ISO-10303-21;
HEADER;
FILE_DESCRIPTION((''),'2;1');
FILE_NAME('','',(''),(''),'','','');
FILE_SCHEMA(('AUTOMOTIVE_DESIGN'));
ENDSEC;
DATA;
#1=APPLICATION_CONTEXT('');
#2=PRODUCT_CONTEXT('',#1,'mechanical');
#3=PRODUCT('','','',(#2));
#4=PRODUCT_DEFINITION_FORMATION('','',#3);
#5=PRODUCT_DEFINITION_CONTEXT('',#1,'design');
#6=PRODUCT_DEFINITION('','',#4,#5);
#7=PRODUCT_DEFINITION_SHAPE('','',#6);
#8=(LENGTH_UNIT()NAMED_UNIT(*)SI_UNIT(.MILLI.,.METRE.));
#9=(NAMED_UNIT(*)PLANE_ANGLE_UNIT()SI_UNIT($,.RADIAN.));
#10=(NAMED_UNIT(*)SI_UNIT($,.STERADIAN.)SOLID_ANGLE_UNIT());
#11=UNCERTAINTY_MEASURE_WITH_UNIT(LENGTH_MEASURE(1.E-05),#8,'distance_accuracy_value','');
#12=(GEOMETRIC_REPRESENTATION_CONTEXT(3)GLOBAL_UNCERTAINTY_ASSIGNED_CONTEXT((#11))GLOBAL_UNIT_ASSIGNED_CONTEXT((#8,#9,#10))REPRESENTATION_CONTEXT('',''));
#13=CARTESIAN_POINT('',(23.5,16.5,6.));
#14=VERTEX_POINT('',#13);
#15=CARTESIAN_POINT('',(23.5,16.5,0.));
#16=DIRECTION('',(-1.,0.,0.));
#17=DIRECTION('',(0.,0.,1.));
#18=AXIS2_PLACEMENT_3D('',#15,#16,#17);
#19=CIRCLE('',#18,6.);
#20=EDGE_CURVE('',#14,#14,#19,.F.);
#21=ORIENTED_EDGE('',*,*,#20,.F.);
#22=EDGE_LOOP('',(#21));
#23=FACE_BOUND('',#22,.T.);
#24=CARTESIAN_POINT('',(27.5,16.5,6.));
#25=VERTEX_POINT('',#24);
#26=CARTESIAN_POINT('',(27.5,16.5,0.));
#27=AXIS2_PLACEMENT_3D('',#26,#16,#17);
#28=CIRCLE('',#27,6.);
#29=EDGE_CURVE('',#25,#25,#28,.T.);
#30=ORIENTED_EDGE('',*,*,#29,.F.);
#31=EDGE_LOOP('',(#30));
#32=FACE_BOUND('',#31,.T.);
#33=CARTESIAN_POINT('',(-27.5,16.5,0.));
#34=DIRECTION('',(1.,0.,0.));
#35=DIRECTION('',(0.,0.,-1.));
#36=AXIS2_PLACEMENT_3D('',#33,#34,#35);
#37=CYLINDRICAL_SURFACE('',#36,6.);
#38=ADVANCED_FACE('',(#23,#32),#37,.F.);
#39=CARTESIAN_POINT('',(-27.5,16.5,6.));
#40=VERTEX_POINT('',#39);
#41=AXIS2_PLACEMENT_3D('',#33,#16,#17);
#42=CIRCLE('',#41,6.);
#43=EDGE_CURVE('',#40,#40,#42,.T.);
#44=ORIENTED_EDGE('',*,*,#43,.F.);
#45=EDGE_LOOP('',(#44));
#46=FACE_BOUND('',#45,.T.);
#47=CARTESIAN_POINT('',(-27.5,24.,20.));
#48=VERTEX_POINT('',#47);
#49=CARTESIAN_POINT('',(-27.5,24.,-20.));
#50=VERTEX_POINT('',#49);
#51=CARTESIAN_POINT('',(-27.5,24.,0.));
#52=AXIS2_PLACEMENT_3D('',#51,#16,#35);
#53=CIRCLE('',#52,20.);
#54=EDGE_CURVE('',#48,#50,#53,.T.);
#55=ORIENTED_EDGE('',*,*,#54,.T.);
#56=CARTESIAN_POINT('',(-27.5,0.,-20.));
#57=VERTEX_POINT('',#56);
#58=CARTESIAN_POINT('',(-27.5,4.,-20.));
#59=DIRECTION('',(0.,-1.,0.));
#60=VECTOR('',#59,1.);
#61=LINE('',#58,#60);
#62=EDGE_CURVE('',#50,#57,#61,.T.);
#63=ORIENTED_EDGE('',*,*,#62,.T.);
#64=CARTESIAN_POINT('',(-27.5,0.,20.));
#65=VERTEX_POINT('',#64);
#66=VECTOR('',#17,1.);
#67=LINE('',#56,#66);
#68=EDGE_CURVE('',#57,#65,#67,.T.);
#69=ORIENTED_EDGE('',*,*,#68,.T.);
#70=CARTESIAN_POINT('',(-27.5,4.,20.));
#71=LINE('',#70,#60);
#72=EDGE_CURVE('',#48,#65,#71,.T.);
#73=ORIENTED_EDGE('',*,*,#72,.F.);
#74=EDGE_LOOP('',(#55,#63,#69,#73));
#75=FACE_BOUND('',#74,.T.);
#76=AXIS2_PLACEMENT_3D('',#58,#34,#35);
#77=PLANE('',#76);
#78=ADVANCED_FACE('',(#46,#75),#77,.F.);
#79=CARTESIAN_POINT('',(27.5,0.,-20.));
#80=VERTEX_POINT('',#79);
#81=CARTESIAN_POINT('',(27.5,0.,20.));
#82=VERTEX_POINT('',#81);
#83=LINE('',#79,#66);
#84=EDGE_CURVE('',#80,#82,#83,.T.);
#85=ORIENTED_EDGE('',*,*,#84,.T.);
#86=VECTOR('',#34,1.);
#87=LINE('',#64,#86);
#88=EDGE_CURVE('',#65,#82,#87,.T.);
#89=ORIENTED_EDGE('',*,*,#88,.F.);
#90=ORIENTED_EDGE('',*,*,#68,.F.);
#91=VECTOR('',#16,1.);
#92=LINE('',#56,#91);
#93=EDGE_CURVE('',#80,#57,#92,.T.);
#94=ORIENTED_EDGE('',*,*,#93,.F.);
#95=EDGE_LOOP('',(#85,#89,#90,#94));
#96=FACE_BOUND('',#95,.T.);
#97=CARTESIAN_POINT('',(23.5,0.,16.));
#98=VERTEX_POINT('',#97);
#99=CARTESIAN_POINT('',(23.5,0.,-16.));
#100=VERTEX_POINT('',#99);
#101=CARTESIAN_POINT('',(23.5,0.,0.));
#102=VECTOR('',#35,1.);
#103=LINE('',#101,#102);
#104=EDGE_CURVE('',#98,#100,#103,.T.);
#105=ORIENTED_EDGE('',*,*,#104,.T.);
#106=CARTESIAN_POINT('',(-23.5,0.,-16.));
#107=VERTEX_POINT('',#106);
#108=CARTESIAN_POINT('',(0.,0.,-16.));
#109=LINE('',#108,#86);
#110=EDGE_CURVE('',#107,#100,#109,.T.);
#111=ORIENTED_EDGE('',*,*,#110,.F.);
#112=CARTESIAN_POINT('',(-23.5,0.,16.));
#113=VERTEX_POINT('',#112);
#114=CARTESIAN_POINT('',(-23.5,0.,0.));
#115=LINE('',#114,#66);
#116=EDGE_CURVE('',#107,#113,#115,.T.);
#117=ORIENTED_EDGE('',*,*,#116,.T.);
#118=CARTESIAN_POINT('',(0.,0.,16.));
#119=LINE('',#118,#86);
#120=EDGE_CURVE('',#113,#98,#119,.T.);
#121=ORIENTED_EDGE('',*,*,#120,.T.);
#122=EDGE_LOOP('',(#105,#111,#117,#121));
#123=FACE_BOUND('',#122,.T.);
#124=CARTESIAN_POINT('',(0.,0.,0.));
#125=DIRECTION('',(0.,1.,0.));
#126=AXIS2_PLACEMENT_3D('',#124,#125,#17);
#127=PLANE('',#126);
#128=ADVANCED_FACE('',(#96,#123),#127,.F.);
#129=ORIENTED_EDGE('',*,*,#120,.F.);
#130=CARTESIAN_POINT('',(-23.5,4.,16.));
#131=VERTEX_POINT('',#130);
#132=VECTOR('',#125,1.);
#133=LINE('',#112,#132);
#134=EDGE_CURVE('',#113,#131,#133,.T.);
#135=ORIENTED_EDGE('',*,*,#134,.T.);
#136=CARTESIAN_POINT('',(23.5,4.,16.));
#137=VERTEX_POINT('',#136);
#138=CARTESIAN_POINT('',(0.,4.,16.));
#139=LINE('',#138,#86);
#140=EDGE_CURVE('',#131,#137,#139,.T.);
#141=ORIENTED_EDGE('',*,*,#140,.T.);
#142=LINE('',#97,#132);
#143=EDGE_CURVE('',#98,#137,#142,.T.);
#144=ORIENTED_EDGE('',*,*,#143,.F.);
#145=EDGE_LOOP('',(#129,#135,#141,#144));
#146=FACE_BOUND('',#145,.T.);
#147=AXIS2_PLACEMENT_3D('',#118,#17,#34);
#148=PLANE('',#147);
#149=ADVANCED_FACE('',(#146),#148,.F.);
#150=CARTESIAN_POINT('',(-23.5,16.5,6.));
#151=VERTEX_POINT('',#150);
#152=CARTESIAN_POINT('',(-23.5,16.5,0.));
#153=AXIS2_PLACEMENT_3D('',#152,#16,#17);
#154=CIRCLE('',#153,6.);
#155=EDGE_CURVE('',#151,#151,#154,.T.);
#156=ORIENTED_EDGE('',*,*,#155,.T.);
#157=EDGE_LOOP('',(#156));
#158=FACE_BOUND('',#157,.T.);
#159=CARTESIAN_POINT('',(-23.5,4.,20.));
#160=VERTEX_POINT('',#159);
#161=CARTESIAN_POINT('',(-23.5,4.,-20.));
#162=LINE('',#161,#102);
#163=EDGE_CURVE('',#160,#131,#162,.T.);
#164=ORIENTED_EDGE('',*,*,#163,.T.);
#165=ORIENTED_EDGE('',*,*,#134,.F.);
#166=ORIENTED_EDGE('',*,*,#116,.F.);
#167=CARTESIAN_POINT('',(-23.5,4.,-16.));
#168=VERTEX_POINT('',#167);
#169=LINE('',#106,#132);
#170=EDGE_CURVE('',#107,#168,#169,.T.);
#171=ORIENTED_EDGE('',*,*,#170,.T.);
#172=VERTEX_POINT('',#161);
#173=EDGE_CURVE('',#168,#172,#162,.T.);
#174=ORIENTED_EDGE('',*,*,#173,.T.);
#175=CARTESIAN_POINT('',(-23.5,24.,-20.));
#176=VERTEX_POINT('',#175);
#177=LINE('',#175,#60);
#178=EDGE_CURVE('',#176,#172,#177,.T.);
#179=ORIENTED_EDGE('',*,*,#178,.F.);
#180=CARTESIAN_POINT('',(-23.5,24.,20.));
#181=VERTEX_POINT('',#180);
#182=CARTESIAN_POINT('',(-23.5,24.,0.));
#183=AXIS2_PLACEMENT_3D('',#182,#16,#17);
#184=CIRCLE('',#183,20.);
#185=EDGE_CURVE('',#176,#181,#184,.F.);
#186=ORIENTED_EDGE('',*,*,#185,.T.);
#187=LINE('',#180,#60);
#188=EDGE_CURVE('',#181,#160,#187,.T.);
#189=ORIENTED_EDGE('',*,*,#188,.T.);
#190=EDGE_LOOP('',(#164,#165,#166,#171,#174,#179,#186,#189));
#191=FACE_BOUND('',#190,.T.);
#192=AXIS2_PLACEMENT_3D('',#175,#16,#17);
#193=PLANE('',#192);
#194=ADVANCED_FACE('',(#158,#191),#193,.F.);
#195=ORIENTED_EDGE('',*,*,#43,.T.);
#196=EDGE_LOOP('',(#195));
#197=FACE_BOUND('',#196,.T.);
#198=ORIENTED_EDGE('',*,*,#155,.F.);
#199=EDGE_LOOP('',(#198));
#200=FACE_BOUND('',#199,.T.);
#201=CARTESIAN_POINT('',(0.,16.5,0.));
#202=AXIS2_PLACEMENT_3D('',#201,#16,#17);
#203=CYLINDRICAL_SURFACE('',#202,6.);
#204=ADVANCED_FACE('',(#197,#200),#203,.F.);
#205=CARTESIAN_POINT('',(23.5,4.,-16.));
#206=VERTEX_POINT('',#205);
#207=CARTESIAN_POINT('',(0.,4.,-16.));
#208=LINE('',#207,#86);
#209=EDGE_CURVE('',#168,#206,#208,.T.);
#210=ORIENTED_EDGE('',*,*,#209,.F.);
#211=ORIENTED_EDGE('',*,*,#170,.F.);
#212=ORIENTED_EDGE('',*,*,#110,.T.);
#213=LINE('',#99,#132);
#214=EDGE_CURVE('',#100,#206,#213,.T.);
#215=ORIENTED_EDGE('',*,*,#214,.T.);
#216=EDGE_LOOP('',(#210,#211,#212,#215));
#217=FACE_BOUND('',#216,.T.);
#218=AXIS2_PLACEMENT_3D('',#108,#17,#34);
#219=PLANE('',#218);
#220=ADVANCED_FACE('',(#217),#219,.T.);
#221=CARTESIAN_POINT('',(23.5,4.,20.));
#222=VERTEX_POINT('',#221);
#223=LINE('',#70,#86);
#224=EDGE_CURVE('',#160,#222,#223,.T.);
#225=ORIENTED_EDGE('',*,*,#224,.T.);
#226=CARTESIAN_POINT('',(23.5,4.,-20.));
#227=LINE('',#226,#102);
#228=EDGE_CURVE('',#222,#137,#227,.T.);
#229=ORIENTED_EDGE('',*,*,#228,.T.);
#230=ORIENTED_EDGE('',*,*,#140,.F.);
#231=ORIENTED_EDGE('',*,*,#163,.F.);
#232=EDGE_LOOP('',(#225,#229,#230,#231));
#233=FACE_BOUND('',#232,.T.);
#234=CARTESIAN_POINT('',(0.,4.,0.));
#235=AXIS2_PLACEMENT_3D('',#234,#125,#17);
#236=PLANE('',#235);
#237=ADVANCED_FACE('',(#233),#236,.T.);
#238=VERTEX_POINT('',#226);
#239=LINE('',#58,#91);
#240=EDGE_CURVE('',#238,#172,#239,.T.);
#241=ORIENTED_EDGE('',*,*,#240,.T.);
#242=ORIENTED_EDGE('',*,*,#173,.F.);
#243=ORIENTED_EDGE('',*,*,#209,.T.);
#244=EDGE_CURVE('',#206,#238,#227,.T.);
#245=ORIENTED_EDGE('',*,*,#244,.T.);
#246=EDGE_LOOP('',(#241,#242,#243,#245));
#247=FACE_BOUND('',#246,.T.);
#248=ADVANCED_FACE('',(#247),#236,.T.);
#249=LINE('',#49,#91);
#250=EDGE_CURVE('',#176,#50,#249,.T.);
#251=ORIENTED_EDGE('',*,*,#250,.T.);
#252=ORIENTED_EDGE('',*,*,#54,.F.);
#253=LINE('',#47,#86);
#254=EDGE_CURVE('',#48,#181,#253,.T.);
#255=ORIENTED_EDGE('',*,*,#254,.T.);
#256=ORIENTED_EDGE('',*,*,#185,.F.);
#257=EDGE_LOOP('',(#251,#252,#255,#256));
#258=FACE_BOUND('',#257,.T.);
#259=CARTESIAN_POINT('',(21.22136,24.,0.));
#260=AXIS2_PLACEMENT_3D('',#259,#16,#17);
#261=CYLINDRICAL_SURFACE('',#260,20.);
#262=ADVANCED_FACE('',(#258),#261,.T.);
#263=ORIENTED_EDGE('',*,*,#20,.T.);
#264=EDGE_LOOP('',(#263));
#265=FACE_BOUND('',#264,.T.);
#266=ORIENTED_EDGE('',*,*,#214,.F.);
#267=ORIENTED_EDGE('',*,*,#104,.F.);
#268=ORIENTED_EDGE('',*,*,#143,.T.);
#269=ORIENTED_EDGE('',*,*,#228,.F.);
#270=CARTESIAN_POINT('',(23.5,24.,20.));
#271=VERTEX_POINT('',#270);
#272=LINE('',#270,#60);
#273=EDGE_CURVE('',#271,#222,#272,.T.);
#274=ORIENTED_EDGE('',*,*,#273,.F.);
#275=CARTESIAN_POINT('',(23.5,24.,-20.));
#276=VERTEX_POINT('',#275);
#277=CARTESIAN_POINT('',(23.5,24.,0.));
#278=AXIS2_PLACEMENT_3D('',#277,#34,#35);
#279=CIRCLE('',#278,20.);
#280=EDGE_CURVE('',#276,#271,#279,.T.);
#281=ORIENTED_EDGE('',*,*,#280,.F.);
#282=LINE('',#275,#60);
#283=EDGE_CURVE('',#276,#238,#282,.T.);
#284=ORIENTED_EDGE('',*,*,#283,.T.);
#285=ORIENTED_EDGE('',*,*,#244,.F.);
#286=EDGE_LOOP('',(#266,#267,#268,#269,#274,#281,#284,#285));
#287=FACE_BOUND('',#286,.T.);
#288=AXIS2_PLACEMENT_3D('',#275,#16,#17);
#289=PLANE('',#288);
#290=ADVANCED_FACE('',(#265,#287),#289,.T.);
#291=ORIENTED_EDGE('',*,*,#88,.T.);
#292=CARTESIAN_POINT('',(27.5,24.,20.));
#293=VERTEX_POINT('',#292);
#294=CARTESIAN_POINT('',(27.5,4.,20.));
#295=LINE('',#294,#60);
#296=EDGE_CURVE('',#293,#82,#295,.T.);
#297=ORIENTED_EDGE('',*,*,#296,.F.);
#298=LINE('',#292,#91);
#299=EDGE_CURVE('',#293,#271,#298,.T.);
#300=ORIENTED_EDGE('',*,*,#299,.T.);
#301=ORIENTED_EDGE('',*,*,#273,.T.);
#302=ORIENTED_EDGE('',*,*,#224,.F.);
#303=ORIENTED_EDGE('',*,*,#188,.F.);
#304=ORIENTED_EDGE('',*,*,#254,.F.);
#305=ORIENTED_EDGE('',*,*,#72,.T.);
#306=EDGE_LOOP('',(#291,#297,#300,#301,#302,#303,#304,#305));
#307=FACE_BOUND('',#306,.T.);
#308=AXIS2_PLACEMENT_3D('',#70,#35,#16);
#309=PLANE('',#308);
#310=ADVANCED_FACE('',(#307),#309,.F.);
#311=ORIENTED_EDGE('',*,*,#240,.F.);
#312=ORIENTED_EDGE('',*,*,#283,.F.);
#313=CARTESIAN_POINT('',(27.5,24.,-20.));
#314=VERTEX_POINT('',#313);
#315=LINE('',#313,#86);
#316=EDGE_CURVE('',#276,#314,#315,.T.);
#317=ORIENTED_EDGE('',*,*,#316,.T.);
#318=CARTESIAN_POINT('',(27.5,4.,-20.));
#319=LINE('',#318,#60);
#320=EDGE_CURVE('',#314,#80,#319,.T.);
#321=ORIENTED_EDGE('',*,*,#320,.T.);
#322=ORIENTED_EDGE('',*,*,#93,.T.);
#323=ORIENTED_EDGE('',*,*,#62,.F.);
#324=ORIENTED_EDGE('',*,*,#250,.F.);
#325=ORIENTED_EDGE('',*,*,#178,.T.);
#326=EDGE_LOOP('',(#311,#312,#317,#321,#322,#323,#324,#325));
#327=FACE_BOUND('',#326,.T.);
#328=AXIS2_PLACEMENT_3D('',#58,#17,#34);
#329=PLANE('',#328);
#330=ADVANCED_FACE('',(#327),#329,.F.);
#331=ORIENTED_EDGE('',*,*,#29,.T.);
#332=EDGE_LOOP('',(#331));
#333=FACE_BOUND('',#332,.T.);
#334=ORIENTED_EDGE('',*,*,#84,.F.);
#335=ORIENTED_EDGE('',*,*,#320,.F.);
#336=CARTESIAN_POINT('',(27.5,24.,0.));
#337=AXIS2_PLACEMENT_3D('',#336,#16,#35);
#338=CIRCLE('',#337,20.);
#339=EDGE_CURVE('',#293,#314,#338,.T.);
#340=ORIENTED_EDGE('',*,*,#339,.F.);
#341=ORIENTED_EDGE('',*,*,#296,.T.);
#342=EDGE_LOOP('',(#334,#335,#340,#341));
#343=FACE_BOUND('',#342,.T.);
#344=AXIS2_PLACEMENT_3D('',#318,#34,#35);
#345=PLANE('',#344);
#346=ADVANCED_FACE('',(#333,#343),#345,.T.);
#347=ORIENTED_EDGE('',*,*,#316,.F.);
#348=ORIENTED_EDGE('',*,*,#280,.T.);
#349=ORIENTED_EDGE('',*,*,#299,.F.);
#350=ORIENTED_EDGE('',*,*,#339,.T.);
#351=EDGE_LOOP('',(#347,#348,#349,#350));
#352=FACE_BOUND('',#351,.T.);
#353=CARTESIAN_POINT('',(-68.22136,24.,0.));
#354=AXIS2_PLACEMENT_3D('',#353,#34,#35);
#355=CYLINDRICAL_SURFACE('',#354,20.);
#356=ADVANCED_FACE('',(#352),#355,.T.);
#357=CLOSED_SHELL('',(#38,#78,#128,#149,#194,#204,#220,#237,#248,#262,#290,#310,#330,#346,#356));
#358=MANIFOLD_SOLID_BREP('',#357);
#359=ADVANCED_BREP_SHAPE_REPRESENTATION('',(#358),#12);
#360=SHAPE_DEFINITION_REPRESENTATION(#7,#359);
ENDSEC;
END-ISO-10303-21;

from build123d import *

# Parameters (mm, degrees)
SKETCH1_W           = 27.5
SKETCH1_H           = 40
BOSS_EXTRUDE4_DEPTH = 4
SKETCH5_W           = 4
SKETCH5_H           = 40
BOSS_EXTRUDE5_DEPTH = 20
SKETCH6_R           = 6
CUT_EXTRUDE2_DEPTH  = 42.620307543
BOSS_EXTRUDE6_DEPTH = 4
SKETCH8_W           = 47
SKETCH8_H           = 32
CUT_EXTRUDE3_DEPTH  = 53.5


with BuildPart() as part:
    # Sketch1 → Boss-Extrude4 (new body)
    with BuildSketch(Plane(origin=(0, 0, 0), x_dir=(1, 0, 0), z_dir=(0, 1, 0))):
        with Locations((-13.75, 0)):
            Rectangle(SKETCH1_W, SKETCH1_H)
    boss_extrude4 = extrude(amount=BOSS_EXTRUDE4_DEPTH)

    # Sketch5 → Boss-Extrude5 (add)
    with BuildSketch(Plane(origin=(0, 4, 0), x_dir=(1, 0, 0), z_dir=(0, 1, 0))):
        with Locations((-25.5, 0)):
            Rectangle(SKETCH5_W, SKETCH5_H)
    boss_extrude5 = extrude(amount=BOSS_EXTRUDE5_DEPTH)

    # Sketch6 → Cut-Extrude2 (cut, through all)
    with BuildSketch(Plane.ZY.offset(27.5)):
        with Locations((0, 16.5)):
            Circle(SKETCH6_R)
    cut_extrude2 = extrude(amount=-CUT_EXTRUDE2_DEPTH, mode=Mode.SUBTRACT)

    # Sketch7 → Boss-Extrude6 (add)
    with BuildSketch(Plane.ZY.offset(27.5)):
        with BuildLine():
            Line((-20, 24), (20, 24))
            ThreePointArc((20, 24), (0, 44), (-20, 24))
        make_face()
    boss_extrude6 = extrude(amount=-BOSS_EXTRUDE6_DEPTH)

    # Mirror2: Boss-Extrude4, Boss-Extrude5, Cut-Extrude2, Boss-Extrude6 across plane
    add(boss_extrude4.mirror(Plane(origin=(0, 0, 0), x_dir=(0, 0, 1), z_dir=(1, 0, 0))))
    add(boss_extrude5.mirror(Plane(origin=(0, 0, 0), x_dir=(0, 0, 1), z_dir=(1, 0, 0))))
    add(cut_extrude2.mirror(Plane(origin=(0, 0, 0), x_dir=(0, 0, 1), z_dir=(1, 0, 0))), mode=Mode.SUBTRACT)
    add(boss_extrude6.mirror(Plane(origin=(0, 0, 0), x_dir=(0, 0, 1), z_dir=(1, 0, 0))))

    # Sketch8 → Cut-Extrude3 (cut, through all)
    with BuildSketch(Plane(origin=(0, 4, 0), x_dir=(1, 0, 0), z_dir=(0, 1, 0))):
        Rectangle(SKETCH8_W, SKETCH8_H)
    extrude(amount=-CUT_EXTRUDE3_DEPTH, mode=Mode.SUBTRACT)


solid = part.part
